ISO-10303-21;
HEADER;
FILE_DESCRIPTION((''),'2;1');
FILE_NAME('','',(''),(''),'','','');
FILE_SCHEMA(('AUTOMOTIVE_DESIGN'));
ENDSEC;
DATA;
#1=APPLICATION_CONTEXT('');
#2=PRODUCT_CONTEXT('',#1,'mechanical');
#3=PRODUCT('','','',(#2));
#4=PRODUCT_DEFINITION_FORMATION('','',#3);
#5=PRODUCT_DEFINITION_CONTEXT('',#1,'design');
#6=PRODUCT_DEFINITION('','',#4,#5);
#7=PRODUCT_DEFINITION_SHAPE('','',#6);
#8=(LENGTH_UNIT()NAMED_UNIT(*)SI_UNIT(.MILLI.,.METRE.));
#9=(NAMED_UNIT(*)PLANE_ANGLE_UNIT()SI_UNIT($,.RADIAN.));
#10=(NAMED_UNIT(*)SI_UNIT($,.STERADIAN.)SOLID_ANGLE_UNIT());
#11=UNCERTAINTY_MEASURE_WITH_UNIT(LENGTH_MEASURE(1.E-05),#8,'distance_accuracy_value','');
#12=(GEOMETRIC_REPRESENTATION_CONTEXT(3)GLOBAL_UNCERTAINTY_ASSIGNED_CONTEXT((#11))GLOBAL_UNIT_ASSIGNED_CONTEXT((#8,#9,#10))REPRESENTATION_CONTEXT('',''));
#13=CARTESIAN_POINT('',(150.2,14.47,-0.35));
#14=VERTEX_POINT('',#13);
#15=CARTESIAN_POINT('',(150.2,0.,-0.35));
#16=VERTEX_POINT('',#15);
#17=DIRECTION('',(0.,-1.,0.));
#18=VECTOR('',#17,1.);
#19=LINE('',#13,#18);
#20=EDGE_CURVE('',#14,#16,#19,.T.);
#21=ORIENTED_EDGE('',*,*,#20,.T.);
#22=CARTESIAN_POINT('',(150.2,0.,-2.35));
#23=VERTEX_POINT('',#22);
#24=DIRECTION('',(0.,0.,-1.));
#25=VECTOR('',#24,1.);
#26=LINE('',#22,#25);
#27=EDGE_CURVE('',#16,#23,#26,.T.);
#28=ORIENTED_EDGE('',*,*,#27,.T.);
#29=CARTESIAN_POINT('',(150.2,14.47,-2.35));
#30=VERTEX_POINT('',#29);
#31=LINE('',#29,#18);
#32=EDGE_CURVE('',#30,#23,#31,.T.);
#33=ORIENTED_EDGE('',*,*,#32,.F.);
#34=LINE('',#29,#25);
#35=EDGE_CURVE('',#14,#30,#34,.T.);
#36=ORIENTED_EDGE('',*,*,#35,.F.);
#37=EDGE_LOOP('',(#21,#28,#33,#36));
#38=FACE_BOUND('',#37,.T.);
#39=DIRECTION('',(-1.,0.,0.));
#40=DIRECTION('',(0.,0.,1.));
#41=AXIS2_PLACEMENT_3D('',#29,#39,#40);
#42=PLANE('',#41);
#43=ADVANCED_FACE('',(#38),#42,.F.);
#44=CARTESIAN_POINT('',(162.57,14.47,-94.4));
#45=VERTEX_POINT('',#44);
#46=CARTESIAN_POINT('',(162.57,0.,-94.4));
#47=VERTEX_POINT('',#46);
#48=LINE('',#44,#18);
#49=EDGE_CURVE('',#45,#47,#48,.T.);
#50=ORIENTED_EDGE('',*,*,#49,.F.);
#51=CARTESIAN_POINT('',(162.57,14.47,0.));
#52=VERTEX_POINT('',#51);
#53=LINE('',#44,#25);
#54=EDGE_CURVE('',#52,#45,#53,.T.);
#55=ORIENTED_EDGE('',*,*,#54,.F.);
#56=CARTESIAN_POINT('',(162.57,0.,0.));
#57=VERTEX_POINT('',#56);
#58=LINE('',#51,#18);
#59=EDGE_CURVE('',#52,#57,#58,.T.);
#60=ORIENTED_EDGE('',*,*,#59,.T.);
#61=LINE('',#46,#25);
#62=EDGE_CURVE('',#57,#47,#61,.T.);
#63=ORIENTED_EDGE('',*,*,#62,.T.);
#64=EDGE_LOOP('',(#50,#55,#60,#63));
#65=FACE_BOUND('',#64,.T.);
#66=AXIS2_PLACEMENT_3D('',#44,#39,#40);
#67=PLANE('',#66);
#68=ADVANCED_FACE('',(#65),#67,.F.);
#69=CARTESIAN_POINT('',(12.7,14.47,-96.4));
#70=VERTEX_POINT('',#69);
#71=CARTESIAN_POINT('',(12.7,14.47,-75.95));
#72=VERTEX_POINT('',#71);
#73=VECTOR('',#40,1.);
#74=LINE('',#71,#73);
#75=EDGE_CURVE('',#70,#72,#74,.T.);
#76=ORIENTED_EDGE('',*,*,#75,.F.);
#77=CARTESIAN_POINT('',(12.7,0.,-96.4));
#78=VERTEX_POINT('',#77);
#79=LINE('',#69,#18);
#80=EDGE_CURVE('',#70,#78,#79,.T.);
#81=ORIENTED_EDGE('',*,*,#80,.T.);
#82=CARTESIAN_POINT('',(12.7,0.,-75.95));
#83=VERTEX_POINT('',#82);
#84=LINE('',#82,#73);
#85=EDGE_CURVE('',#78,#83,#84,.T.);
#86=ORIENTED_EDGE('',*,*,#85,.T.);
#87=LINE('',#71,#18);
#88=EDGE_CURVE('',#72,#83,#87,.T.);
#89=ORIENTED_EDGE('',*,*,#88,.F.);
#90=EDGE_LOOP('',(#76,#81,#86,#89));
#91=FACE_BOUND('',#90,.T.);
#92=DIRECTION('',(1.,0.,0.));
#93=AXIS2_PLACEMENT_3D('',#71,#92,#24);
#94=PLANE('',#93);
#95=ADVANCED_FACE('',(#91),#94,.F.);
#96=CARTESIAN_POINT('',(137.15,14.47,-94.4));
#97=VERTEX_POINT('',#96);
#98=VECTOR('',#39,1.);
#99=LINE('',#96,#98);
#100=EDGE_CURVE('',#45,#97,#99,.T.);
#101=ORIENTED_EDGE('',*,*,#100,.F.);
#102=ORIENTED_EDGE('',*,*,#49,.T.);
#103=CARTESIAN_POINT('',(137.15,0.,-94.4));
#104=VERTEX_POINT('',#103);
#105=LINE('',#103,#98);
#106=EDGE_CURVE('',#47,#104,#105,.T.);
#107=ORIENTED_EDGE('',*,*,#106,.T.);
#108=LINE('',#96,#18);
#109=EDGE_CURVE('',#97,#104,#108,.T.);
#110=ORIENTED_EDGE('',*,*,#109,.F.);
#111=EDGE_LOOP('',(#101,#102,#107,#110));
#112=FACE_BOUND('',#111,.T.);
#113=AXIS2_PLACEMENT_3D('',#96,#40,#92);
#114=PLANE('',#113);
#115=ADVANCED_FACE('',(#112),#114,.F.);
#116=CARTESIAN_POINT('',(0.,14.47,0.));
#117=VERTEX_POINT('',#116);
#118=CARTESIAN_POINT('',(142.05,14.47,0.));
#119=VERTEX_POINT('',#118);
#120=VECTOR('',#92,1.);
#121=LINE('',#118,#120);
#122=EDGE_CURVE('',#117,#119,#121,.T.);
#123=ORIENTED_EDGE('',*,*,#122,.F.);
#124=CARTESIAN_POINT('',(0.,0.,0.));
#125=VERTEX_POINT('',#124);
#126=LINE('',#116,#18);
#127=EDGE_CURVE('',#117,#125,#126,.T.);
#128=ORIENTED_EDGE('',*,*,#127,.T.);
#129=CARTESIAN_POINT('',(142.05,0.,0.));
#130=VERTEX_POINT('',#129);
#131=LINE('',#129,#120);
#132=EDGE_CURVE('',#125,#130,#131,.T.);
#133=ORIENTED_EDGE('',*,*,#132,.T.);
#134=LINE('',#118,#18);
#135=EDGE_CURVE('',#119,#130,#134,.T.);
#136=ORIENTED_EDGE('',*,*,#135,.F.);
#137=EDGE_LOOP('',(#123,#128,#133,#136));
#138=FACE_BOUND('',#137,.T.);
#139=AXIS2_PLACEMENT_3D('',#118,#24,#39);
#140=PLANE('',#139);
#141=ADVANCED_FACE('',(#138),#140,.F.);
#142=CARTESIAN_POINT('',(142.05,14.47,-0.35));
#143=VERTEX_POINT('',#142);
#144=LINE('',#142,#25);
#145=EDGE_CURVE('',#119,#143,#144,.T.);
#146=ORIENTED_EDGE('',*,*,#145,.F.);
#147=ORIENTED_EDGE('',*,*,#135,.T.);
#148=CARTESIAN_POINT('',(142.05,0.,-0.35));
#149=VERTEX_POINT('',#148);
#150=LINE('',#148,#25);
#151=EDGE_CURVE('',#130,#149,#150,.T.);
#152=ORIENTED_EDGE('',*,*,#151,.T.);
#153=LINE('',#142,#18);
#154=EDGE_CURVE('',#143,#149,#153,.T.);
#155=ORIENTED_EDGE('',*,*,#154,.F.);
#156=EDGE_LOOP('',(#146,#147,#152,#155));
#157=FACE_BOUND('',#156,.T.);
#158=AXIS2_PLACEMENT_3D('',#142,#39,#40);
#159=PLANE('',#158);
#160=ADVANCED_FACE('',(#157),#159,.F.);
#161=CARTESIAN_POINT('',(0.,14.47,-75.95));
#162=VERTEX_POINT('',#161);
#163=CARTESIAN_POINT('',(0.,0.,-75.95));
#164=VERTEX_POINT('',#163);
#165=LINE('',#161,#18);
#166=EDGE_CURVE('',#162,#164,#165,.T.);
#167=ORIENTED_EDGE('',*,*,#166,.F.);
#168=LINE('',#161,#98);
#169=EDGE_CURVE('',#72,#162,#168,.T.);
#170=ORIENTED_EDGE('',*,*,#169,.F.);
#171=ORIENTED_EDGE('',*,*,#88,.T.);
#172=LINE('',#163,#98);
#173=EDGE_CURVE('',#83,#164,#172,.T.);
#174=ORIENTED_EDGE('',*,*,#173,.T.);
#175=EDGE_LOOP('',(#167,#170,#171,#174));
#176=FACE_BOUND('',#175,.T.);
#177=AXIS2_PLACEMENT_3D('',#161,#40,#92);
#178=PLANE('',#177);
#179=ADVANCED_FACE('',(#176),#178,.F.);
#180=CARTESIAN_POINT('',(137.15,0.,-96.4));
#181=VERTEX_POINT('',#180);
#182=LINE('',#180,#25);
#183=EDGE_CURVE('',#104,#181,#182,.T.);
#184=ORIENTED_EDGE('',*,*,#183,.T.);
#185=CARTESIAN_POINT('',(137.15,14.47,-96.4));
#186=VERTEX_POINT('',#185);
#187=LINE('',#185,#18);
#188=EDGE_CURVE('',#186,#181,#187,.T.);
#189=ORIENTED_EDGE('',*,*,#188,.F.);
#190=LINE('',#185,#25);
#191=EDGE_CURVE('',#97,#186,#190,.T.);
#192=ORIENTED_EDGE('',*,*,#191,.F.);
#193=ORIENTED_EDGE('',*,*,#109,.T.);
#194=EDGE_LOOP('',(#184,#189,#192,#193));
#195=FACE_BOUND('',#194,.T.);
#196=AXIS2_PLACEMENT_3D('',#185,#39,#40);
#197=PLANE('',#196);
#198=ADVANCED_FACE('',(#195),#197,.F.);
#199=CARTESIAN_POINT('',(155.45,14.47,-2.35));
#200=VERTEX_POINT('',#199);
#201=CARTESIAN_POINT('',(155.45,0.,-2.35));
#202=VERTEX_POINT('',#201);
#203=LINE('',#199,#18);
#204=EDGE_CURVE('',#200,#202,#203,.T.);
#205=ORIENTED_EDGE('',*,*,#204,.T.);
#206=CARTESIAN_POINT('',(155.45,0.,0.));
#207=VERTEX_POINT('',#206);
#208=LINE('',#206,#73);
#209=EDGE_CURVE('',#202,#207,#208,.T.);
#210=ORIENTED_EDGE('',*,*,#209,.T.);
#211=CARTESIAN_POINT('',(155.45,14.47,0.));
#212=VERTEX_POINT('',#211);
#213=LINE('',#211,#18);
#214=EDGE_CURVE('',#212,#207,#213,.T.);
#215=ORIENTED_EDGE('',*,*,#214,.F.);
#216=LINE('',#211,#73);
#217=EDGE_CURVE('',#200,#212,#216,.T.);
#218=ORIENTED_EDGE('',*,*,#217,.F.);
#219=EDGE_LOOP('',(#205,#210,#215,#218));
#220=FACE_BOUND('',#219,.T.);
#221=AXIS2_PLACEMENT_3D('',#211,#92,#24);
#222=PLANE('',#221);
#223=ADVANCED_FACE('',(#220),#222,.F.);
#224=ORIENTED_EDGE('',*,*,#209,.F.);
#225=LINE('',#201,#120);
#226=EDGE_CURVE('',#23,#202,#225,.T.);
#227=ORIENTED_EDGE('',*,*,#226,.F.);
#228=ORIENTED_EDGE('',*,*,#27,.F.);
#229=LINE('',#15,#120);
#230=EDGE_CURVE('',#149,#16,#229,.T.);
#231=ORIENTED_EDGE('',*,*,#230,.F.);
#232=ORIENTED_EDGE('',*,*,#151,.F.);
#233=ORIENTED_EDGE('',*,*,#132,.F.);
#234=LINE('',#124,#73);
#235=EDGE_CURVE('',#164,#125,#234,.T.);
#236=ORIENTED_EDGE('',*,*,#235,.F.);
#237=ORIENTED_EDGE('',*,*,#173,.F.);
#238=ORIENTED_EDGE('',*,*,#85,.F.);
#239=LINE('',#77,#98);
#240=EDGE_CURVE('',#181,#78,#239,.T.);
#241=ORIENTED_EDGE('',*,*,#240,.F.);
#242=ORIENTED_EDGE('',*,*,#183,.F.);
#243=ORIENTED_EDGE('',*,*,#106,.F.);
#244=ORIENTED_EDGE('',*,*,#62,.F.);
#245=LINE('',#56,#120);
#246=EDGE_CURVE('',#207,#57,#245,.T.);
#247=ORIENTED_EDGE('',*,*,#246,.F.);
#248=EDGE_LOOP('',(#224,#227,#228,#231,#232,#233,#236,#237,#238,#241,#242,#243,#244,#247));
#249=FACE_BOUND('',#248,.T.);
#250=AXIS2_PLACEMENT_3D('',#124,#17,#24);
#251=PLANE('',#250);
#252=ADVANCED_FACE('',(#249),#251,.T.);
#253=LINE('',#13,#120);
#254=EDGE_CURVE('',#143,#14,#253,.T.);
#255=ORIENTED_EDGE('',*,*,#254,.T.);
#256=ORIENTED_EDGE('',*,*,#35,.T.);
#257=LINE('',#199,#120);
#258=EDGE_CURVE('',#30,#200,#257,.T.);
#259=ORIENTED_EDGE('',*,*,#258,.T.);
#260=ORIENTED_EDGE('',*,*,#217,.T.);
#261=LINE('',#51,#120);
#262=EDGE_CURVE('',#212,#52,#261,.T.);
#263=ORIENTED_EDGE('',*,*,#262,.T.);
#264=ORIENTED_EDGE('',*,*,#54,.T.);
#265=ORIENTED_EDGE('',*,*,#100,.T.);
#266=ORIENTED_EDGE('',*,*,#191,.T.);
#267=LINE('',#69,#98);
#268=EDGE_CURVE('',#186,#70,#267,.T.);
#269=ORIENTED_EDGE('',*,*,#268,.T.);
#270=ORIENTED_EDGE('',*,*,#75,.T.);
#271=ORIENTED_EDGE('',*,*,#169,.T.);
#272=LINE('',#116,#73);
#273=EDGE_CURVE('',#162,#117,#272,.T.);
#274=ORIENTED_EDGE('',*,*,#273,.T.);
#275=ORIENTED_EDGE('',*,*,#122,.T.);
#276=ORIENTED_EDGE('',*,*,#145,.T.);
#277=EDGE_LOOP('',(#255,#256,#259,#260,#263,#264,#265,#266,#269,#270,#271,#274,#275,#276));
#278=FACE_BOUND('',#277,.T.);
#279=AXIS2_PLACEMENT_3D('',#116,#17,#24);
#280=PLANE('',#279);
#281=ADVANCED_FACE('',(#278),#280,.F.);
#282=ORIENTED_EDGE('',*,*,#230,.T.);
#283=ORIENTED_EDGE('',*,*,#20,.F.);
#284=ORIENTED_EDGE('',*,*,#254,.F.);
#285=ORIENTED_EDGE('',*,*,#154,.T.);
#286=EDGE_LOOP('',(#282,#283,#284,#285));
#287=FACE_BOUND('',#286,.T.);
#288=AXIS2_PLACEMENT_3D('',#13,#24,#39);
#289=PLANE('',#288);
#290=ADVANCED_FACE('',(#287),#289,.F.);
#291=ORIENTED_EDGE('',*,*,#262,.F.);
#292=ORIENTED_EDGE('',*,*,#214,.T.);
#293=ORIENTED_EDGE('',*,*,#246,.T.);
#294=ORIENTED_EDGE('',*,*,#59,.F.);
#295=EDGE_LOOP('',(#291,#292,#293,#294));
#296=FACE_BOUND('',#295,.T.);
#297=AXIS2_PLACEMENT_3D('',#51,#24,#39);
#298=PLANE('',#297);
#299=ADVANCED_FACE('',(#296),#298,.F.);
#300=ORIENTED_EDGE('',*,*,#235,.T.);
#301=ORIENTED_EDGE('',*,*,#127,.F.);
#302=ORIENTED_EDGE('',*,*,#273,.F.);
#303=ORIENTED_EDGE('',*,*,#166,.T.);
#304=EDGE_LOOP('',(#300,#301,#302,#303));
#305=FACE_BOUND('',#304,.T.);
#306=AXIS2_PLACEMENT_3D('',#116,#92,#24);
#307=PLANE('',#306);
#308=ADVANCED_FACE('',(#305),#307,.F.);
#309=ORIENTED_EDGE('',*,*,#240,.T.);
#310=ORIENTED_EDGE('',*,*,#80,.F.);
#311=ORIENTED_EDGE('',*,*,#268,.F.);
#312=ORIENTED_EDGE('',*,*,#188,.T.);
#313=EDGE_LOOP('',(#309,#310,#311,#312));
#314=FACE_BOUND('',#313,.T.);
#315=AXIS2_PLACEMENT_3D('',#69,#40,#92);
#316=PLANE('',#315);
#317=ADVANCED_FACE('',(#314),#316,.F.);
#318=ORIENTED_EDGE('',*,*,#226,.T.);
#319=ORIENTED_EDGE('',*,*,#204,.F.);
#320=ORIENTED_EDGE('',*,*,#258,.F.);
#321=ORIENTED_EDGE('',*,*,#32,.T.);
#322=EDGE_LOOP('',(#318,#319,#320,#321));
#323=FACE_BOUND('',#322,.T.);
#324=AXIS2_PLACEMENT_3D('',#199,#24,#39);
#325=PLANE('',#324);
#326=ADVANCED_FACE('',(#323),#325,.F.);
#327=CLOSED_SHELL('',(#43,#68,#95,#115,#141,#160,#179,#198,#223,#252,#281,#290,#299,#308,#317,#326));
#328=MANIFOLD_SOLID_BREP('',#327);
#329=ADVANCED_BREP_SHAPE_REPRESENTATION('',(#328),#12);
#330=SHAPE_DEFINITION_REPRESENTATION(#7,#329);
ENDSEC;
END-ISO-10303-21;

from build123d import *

# Parameters (mm, degrees)
BOSS_EXTRUDE1_DEPTH = 14.47


with BuildPart() as part:
    # Sketch1 → Boss-Extrude1 (new body)
    with BuildSketch(Plane(origin=(0, 0, 0), x_dir=(1, 0, 0), z_dir=(0, 1, 0))):
        Polygon((0, 0), (0, 75.95), (12.7, 75.95), (12.7, 96.4), (137.15, 96.4), (137.15, 94.4), (162.57, 94.4), (162.57, 0), (155.45, 0), (155.45, 2.35), (150.2, 2.35), (150.2, 0.35), (142.05, 0.35), (142.05, 0), align=None)
    extrude(amount=BOSS_EXTRUDE1_DEPTH)


solid = part.part
